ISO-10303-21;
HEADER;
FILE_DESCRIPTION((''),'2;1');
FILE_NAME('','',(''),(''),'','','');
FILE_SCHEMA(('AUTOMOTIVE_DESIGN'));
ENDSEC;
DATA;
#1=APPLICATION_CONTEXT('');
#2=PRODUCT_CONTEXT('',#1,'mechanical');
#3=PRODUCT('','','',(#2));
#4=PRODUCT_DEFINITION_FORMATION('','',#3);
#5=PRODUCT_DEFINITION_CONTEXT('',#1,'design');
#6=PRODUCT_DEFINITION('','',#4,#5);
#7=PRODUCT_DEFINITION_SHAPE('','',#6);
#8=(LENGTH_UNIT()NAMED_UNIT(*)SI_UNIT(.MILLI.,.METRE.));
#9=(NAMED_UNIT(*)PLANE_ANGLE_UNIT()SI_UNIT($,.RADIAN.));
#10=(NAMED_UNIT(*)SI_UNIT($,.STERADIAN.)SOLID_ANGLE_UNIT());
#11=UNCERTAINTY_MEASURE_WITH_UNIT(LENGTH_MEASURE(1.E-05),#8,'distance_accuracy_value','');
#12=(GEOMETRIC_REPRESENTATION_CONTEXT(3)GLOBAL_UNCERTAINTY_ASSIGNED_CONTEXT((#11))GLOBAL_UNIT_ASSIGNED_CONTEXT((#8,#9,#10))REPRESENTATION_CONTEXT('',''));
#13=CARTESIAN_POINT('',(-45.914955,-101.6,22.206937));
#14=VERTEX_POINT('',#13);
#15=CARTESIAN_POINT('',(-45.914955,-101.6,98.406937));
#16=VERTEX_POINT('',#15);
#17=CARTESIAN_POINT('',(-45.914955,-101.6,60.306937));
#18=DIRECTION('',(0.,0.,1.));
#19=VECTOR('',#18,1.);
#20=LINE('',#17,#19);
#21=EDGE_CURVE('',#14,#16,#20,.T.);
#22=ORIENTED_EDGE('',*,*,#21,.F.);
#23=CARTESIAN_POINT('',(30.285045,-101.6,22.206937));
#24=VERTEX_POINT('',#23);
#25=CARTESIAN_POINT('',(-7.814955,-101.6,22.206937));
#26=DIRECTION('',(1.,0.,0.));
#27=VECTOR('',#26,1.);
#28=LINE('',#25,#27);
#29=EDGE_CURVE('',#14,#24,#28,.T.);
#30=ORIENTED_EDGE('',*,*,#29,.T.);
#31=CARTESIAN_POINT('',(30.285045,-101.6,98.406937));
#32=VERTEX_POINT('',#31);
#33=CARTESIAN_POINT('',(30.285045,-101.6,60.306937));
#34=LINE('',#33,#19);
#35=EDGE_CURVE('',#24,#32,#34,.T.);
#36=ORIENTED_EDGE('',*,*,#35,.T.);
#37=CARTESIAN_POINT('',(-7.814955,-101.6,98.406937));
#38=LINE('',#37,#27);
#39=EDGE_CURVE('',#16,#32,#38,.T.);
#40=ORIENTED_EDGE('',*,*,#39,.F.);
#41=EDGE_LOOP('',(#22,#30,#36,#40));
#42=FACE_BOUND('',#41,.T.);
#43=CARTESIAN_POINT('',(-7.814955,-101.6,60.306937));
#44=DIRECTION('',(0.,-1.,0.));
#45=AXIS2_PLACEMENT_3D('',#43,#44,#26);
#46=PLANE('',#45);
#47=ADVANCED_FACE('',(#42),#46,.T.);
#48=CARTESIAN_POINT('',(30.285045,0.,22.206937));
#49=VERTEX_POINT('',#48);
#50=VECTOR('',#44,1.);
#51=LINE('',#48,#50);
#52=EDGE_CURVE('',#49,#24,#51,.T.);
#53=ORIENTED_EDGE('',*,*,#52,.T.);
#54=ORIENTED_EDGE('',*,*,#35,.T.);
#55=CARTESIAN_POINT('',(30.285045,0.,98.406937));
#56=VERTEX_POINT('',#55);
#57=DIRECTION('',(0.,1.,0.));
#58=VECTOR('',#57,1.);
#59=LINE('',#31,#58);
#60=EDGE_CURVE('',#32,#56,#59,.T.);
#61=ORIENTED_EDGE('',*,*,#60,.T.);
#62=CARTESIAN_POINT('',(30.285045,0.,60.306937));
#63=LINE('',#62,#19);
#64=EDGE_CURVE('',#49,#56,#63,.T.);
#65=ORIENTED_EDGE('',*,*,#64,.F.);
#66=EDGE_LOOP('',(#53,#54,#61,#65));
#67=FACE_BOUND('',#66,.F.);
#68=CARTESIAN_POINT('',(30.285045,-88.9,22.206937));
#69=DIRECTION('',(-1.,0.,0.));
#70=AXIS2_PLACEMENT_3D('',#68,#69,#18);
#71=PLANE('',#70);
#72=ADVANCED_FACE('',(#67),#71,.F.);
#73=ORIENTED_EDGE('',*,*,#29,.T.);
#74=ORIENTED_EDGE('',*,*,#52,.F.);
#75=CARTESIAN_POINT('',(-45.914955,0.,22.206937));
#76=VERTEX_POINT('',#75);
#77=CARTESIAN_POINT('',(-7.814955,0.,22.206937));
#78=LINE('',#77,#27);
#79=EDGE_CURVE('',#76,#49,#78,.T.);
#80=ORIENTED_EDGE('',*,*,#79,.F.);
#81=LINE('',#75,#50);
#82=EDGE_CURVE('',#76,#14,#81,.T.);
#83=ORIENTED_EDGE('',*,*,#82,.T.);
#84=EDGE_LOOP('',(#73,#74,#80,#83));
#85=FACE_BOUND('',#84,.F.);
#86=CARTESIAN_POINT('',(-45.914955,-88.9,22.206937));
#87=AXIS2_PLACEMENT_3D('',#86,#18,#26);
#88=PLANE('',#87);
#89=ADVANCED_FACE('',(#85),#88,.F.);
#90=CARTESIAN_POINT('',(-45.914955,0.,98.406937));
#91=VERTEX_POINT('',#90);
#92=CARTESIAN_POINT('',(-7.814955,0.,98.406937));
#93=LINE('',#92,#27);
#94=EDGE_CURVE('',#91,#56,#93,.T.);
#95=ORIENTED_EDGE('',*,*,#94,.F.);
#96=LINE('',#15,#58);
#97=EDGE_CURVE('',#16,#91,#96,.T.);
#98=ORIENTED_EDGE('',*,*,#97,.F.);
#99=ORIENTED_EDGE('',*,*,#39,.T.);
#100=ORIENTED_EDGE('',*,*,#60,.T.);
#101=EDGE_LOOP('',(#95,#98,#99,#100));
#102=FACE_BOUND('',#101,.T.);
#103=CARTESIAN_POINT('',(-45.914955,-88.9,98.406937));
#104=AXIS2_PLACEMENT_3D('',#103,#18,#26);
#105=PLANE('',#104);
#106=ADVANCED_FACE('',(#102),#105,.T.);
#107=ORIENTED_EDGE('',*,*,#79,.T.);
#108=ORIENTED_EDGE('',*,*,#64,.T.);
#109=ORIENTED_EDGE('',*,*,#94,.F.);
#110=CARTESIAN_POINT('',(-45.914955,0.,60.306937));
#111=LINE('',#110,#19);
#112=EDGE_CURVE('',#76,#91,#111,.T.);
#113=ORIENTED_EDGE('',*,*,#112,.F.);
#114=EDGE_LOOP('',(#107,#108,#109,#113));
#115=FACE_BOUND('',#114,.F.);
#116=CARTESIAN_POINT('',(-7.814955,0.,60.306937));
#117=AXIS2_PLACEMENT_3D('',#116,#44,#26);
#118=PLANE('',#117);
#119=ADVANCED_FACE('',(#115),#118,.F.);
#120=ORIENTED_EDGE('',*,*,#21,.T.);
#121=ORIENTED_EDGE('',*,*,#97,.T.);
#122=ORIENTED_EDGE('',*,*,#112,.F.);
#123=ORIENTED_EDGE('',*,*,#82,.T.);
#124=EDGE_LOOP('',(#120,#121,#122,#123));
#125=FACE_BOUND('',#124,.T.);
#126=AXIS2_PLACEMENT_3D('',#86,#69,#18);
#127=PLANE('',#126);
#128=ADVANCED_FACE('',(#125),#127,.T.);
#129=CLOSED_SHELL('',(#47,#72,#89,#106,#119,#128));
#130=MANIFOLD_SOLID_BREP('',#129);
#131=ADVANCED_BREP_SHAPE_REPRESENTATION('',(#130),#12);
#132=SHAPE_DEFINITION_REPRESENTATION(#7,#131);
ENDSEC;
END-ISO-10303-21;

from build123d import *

# Parameters (mm, degrees)
F0_W      = 76.2
F0_H      = 76.2
F1_DEPTH  = 76.2
F2_W      = 76.2
F2_H      = 76.2
F2_W_2    = 25.4
F2_H_2    = 25.4
F3_DEPTH  = 12.7
F3_FACE_W = 76.2
F3_FACE_H = 76.2
F4_DEPTH  = 12.7


with BuildPart() as f1:
    # F0 (on Front) → F1 (new body)
    with BuildSketch(Plane.XZ):
        with Locations((-7.8149551065, 60.3069368094)):
            Rectangle(F0_W, F0_H)
    extrude(amount=F1_DEPTH)

    # F2 (on face) → F3 (join)
    with BuildSketch(Plane.XZ.offset(76.2)):
        with Locations((-7.8149551065, 60.3069368094)):
            Rectangle(F2_W, F2_H)
        with Locations((-16.3421141915, 65.2924486793)):
            Rectangle(F2_W_2, F2_H_2, mode=Mode.SUBTRACT)
        with Locations((-16.3421141915, 65.2924486793)):
            Rectangle(F2_W_2, F2_H_2)
    extrude(amount=F3_DEPTH)

    # F2 (on face) + F3_face (on face) → F4 (join)
    with BuildSketch(Plane.XZ.offset(76.2)):
        with Locations((-16.3421141915, 65.2924486793)):
            Rectangle(F2_W_2, F2_H_2)
    with BuildSketch(Plane(origin=(-7.8149551065, -88.9, 60.3069368094), x_dir=(1, 0, 0), z_dir=(0, -1, 0))):
        Rectangle(F3_FACE_W, F3_FACE_H)
    extrude(amount=F4_DEPTH)


solid = f1.part
